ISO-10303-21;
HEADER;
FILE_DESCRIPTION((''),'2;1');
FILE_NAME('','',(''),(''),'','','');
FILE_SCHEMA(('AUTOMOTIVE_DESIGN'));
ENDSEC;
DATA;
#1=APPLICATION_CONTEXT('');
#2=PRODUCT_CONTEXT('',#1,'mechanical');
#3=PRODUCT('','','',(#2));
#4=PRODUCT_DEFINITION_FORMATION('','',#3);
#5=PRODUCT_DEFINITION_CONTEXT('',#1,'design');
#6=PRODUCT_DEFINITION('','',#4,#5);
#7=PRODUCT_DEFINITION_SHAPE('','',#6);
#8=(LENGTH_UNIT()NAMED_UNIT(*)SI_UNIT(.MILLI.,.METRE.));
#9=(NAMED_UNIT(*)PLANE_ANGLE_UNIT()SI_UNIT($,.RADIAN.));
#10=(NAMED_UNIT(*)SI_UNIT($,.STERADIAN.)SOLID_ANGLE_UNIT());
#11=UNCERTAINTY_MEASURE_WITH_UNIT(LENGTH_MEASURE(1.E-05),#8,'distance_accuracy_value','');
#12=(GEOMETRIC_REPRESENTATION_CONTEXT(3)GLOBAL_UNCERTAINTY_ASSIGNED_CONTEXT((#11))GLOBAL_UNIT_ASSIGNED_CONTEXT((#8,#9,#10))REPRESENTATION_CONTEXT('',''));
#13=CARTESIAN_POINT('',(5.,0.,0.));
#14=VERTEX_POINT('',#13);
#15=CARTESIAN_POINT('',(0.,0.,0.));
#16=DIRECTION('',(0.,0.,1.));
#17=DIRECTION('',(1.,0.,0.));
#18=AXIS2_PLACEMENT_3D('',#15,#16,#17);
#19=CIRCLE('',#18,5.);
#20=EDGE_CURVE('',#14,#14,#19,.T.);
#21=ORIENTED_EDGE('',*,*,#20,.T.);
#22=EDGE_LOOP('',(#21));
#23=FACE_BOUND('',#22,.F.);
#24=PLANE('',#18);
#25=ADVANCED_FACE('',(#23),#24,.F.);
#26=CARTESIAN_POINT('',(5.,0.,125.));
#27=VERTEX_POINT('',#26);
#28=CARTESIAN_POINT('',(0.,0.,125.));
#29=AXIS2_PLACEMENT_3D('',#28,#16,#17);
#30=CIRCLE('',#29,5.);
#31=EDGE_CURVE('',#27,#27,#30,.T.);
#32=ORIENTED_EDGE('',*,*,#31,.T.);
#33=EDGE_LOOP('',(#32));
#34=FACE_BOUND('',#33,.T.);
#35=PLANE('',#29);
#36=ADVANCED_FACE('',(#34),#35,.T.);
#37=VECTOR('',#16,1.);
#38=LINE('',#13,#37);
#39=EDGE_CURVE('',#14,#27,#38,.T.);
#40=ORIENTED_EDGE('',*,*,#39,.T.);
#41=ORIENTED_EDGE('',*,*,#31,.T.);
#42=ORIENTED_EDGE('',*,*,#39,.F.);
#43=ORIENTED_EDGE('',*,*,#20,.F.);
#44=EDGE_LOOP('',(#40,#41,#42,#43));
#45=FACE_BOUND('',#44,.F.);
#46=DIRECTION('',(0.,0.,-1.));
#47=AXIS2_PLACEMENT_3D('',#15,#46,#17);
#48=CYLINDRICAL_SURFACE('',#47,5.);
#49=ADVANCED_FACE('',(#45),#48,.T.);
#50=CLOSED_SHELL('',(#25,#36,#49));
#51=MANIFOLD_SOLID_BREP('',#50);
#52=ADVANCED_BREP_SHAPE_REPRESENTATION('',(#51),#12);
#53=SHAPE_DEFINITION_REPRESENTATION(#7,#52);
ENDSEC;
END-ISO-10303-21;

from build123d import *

# Parameters (mm, degrees)
SKETCH_R  = 5
PAD_DEPTH = 125


with BuildPart() as part:
    # Sketch → Pad (new body)
    with BuildSketch(Plane.XY):
        Circle(SKETCH_R)
    extrude(amount=PAD_DEPTH)


solid = part.part
